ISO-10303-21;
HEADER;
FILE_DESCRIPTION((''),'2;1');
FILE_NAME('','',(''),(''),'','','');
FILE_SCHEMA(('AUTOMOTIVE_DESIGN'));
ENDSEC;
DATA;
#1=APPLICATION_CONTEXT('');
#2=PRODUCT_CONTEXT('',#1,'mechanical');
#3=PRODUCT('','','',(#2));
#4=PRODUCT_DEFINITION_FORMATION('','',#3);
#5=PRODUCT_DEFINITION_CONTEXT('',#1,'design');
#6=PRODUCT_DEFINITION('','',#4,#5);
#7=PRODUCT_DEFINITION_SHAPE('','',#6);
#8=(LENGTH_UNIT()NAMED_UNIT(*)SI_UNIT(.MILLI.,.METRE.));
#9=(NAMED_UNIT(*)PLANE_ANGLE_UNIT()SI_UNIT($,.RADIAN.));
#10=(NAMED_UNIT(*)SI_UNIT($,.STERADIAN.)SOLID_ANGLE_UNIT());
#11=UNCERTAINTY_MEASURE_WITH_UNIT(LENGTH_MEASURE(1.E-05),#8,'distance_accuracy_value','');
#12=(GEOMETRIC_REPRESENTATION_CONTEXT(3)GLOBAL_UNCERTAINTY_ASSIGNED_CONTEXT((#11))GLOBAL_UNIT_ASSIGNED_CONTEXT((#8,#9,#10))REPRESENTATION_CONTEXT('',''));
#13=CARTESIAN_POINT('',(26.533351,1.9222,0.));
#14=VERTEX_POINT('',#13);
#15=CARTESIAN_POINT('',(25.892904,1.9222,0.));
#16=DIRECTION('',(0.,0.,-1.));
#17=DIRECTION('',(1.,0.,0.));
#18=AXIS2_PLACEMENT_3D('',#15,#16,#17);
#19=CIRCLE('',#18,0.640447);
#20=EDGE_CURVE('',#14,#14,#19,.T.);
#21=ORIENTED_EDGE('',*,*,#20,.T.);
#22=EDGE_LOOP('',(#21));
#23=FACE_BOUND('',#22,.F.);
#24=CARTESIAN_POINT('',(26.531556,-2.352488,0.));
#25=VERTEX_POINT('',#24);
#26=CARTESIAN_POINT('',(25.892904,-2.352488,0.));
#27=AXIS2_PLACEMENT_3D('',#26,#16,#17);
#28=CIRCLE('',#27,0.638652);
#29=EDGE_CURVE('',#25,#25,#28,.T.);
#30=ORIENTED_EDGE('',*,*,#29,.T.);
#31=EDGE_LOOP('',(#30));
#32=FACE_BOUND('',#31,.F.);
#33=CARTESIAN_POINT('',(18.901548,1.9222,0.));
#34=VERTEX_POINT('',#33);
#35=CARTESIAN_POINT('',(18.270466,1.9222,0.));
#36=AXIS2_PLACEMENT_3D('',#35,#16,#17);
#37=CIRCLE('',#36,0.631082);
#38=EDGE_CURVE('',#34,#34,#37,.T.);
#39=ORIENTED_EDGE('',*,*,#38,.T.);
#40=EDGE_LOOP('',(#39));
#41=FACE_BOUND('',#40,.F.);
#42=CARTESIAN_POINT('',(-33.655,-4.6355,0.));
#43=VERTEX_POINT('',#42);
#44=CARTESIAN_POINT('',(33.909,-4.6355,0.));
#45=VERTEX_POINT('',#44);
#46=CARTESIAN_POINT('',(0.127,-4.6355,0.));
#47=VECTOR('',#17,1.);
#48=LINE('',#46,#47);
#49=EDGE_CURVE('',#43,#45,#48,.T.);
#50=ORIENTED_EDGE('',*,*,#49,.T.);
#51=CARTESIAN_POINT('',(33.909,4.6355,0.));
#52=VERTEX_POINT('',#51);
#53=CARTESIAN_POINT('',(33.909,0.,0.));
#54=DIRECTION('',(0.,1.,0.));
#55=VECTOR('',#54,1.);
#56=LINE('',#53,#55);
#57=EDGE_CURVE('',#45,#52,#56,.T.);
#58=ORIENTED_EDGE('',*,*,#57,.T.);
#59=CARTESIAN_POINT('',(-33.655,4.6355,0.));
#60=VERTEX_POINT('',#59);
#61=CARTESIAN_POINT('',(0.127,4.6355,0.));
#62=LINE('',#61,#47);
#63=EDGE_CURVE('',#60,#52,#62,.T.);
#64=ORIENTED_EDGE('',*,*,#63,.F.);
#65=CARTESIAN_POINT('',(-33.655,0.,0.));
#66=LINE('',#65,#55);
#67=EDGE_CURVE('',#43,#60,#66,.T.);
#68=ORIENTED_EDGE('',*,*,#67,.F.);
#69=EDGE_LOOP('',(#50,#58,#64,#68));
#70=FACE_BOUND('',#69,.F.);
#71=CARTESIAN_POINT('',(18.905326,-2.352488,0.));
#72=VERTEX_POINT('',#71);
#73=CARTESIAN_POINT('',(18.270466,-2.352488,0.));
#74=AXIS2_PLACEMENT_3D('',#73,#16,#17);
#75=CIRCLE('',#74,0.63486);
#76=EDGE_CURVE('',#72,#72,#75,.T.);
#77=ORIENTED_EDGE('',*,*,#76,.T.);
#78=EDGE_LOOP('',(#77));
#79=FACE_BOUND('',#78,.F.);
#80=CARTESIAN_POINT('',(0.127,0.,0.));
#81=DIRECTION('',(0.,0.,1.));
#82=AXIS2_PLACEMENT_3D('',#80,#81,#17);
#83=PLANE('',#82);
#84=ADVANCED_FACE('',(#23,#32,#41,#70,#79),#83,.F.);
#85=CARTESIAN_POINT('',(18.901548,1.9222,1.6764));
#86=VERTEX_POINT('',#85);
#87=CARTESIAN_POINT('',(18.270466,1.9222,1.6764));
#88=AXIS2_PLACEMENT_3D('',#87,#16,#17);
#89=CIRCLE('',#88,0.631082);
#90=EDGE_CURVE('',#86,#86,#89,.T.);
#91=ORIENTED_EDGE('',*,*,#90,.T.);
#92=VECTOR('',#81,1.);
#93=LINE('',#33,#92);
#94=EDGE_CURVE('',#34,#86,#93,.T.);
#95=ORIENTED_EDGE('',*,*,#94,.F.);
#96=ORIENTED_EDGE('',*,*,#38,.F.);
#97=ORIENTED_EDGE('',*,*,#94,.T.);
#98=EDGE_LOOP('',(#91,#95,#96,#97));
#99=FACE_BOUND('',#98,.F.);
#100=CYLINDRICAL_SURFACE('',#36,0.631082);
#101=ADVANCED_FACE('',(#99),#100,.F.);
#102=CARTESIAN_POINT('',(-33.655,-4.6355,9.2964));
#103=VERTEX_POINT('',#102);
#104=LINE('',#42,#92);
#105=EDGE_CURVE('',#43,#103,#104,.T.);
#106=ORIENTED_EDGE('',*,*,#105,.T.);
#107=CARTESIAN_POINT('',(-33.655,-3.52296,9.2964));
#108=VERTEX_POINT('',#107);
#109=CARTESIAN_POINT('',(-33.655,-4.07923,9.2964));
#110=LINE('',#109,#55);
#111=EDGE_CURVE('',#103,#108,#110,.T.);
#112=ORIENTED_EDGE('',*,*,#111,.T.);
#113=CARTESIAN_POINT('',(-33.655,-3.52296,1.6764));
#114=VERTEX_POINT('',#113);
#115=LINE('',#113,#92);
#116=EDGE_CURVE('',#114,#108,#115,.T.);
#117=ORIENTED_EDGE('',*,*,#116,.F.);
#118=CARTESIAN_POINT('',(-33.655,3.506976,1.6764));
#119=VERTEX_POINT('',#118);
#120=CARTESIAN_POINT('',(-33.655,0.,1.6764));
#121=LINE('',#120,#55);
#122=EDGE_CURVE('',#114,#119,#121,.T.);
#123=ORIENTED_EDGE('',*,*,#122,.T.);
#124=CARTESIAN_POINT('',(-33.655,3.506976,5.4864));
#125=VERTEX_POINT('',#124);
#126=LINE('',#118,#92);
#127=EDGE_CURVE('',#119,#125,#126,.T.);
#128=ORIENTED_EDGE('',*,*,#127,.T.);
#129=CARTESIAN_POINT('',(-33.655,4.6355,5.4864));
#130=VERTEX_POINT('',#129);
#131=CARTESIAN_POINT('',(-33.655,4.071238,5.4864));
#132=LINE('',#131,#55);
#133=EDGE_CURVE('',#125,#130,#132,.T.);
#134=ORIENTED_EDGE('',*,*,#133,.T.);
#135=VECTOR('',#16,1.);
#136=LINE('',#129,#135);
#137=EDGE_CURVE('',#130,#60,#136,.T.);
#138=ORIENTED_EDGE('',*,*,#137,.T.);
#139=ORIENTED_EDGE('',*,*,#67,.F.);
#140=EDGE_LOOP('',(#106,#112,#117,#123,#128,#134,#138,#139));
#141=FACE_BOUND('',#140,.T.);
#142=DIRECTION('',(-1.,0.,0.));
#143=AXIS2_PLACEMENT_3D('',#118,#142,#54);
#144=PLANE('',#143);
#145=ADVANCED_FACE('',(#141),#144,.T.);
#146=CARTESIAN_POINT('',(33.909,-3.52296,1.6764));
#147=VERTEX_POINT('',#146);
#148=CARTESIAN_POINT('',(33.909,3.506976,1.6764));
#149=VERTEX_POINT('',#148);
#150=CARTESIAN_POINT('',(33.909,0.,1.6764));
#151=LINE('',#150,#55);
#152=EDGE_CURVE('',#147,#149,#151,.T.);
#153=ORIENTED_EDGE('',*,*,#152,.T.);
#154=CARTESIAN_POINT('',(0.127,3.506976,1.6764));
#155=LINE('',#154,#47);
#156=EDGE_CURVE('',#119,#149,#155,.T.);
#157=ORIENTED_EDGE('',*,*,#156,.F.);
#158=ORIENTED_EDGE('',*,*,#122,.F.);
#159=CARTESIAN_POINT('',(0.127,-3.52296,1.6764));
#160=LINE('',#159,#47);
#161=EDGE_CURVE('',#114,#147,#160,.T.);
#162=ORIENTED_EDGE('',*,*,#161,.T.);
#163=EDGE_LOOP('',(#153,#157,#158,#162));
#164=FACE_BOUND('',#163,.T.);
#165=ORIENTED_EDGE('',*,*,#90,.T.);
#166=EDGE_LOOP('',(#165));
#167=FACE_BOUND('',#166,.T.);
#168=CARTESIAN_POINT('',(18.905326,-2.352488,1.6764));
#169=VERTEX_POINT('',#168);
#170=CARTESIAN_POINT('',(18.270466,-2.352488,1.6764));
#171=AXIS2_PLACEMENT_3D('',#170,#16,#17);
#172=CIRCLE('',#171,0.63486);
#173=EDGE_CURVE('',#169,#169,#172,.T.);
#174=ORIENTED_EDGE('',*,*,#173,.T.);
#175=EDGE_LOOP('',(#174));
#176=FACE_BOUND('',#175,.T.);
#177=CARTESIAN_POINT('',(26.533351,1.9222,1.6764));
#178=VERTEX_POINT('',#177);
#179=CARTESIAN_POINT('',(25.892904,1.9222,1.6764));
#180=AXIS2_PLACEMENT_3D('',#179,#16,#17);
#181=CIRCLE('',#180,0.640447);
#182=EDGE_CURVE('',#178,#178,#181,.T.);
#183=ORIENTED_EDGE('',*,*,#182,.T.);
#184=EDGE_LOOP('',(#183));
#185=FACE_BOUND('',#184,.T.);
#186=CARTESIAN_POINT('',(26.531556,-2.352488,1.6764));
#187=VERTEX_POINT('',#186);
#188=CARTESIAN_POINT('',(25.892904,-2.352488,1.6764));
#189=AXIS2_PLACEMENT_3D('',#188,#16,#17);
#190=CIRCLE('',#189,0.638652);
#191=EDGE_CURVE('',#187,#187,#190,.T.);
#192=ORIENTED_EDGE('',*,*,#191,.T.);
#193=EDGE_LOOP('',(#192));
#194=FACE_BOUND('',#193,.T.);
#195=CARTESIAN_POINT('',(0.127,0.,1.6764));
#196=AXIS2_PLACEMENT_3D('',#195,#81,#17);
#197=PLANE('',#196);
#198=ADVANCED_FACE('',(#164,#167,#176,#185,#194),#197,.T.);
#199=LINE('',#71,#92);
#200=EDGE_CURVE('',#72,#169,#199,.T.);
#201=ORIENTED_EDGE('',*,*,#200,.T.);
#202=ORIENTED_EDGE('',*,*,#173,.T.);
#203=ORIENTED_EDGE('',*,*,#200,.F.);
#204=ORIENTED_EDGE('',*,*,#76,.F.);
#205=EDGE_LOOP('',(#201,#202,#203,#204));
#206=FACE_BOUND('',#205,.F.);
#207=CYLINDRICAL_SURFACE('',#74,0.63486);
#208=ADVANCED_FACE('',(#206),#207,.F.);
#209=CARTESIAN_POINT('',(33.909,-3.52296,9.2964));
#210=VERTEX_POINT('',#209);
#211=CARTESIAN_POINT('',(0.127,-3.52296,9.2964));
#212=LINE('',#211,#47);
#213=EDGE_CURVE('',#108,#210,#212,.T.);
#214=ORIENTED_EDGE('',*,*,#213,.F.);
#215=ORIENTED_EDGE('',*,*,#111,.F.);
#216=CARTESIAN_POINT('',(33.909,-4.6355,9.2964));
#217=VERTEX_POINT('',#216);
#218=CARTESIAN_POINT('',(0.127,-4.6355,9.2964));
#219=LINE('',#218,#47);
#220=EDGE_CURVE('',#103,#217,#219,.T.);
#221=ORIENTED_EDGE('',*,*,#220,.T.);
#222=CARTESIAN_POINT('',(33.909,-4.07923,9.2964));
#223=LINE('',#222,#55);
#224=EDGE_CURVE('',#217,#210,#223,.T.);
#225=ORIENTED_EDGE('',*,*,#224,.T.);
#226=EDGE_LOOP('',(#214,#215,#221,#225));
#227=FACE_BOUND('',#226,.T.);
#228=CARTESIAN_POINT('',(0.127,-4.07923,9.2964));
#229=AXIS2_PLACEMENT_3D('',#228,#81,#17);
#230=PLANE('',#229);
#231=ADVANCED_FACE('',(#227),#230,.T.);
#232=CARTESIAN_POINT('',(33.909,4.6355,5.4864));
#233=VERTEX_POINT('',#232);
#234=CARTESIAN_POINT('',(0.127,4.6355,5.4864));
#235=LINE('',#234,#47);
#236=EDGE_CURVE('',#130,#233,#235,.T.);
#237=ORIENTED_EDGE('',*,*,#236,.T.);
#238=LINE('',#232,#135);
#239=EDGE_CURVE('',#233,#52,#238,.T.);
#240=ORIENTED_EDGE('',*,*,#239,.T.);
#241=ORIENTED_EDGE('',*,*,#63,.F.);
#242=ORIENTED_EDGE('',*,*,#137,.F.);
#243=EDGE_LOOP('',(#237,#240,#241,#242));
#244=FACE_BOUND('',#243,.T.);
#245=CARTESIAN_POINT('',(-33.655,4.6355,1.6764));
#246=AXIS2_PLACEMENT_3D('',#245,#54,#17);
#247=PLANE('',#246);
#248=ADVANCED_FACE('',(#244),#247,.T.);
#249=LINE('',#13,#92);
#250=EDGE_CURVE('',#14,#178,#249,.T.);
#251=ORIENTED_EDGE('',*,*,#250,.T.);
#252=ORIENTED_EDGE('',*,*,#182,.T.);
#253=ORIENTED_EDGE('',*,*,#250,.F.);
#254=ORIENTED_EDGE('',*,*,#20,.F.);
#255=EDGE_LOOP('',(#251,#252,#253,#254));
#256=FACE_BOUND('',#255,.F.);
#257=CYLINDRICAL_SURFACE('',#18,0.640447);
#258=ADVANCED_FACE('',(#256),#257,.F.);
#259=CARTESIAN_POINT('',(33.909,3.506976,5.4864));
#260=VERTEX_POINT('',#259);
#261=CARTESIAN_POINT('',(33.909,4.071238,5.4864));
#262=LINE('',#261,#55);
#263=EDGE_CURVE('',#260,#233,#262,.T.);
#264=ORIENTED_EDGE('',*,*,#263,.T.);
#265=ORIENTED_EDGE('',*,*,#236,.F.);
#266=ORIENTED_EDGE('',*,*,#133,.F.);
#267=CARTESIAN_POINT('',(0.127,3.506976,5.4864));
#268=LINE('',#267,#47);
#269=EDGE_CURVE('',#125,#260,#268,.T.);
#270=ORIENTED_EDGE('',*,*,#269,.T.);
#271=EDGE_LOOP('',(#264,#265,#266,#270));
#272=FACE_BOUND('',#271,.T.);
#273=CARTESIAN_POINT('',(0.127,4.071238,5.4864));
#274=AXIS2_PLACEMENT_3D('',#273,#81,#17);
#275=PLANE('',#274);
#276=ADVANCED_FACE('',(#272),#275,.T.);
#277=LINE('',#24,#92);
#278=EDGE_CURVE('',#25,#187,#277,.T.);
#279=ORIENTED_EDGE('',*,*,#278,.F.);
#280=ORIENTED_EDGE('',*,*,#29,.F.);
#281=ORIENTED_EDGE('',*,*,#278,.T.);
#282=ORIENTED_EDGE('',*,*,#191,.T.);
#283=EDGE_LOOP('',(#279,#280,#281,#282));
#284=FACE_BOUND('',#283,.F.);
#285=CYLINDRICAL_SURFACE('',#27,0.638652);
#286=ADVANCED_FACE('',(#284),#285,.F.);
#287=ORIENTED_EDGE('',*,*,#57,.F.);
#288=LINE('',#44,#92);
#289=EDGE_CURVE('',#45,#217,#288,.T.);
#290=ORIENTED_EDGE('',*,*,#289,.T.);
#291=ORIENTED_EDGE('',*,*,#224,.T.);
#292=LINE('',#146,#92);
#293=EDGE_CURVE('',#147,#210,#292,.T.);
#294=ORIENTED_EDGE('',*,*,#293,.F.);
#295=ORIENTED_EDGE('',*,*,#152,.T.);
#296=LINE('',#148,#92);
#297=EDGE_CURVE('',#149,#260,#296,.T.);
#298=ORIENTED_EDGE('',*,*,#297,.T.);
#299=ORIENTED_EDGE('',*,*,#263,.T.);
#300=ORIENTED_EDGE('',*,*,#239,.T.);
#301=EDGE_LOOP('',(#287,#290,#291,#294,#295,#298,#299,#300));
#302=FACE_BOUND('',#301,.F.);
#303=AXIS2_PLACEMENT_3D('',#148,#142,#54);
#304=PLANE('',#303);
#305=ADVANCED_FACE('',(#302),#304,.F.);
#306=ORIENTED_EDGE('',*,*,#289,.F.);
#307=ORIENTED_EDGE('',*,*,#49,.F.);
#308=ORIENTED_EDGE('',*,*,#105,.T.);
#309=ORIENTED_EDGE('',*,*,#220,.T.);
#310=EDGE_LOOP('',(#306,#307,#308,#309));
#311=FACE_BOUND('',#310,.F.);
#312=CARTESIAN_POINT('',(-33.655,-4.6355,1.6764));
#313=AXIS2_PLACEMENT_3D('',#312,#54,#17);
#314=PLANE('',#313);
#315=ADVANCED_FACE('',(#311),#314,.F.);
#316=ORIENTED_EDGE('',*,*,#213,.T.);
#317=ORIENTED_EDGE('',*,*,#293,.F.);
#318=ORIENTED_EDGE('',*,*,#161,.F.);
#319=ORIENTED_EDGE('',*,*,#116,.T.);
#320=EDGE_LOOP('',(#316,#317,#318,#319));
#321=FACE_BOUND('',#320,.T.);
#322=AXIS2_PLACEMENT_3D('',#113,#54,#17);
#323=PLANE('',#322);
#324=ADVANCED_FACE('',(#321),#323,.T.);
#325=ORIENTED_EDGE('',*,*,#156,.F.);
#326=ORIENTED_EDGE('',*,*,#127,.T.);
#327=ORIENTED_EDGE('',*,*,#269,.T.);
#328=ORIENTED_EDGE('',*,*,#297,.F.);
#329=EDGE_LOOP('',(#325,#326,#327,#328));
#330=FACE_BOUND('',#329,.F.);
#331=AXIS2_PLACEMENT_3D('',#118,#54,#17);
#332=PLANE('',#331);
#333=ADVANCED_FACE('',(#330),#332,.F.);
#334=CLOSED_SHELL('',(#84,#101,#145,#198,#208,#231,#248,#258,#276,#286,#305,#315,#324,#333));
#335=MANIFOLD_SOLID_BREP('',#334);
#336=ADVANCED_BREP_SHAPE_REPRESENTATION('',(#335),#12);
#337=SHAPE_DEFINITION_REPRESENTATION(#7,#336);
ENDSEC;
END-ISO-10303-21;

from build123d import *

# Parameters (mm, degrees)
F0_W     = 67.564
F0_H     = 9.271
F1_DEPTH = 1.6764
F2_W     = 67.564
F2_H     = 1.11254
F3_DEPTH = 7.62
F2_H_2   = 1.128524
F4_DEPTH = 3.81
F5_R     = 0.638652
F5_R_2   = 0.640447
F5_R_3   = 0.63486
F5_R_4   = 0.631082
F6_DEPTH = 25.4


with BuildPart() as f1:
    # F0 (on Top) → F1 (new body)
    with BuildSketch(Plane.XY):
        with Locations((0.127, 0)):
            Rectangle(F0_W, F0_H)
    extrude(amount=F1_DEPTH)

    # F2 (on face) → F3 (join)
    with BuildSketch(Plane.XY.offset(1.6764)):
        with Locations((0.127, -4.07923)):
            Rectangle(F2_W, F2_H)
    extrude(amount=F3_DEPTH)

    # F2 (on face) → F4 (join)
    with BuildSketch(Plane.XY.offset(1.6764)):
        with Locations((0.127, 4.071238)):
            Rectangle(F2_W, F2_H_2)
    extrude(amount=F4_DEPTH)

    # F5 (on face) → F6 (cut)
    with BuildSketch(Plane(origin=(0, 0, 0), x_dir=(1, 0, 0), z_dir=(0, 0, -1))):
        with Locations((25.892904, 2.352488)):
            Circle(F5_R)
        with Locations((25.892904, -1.9222)):
            Circle(F5_R_2)
        with Locations((18.270466, 2.352488)):
            Circle(F5_R_3)
        with Locations((18.270466, -1.9222)):
            Circle(F5_R_4)
    extrude(amount=-F6_DEPTH, mode=Mode.SUBTRACT)


solid = f1.part
